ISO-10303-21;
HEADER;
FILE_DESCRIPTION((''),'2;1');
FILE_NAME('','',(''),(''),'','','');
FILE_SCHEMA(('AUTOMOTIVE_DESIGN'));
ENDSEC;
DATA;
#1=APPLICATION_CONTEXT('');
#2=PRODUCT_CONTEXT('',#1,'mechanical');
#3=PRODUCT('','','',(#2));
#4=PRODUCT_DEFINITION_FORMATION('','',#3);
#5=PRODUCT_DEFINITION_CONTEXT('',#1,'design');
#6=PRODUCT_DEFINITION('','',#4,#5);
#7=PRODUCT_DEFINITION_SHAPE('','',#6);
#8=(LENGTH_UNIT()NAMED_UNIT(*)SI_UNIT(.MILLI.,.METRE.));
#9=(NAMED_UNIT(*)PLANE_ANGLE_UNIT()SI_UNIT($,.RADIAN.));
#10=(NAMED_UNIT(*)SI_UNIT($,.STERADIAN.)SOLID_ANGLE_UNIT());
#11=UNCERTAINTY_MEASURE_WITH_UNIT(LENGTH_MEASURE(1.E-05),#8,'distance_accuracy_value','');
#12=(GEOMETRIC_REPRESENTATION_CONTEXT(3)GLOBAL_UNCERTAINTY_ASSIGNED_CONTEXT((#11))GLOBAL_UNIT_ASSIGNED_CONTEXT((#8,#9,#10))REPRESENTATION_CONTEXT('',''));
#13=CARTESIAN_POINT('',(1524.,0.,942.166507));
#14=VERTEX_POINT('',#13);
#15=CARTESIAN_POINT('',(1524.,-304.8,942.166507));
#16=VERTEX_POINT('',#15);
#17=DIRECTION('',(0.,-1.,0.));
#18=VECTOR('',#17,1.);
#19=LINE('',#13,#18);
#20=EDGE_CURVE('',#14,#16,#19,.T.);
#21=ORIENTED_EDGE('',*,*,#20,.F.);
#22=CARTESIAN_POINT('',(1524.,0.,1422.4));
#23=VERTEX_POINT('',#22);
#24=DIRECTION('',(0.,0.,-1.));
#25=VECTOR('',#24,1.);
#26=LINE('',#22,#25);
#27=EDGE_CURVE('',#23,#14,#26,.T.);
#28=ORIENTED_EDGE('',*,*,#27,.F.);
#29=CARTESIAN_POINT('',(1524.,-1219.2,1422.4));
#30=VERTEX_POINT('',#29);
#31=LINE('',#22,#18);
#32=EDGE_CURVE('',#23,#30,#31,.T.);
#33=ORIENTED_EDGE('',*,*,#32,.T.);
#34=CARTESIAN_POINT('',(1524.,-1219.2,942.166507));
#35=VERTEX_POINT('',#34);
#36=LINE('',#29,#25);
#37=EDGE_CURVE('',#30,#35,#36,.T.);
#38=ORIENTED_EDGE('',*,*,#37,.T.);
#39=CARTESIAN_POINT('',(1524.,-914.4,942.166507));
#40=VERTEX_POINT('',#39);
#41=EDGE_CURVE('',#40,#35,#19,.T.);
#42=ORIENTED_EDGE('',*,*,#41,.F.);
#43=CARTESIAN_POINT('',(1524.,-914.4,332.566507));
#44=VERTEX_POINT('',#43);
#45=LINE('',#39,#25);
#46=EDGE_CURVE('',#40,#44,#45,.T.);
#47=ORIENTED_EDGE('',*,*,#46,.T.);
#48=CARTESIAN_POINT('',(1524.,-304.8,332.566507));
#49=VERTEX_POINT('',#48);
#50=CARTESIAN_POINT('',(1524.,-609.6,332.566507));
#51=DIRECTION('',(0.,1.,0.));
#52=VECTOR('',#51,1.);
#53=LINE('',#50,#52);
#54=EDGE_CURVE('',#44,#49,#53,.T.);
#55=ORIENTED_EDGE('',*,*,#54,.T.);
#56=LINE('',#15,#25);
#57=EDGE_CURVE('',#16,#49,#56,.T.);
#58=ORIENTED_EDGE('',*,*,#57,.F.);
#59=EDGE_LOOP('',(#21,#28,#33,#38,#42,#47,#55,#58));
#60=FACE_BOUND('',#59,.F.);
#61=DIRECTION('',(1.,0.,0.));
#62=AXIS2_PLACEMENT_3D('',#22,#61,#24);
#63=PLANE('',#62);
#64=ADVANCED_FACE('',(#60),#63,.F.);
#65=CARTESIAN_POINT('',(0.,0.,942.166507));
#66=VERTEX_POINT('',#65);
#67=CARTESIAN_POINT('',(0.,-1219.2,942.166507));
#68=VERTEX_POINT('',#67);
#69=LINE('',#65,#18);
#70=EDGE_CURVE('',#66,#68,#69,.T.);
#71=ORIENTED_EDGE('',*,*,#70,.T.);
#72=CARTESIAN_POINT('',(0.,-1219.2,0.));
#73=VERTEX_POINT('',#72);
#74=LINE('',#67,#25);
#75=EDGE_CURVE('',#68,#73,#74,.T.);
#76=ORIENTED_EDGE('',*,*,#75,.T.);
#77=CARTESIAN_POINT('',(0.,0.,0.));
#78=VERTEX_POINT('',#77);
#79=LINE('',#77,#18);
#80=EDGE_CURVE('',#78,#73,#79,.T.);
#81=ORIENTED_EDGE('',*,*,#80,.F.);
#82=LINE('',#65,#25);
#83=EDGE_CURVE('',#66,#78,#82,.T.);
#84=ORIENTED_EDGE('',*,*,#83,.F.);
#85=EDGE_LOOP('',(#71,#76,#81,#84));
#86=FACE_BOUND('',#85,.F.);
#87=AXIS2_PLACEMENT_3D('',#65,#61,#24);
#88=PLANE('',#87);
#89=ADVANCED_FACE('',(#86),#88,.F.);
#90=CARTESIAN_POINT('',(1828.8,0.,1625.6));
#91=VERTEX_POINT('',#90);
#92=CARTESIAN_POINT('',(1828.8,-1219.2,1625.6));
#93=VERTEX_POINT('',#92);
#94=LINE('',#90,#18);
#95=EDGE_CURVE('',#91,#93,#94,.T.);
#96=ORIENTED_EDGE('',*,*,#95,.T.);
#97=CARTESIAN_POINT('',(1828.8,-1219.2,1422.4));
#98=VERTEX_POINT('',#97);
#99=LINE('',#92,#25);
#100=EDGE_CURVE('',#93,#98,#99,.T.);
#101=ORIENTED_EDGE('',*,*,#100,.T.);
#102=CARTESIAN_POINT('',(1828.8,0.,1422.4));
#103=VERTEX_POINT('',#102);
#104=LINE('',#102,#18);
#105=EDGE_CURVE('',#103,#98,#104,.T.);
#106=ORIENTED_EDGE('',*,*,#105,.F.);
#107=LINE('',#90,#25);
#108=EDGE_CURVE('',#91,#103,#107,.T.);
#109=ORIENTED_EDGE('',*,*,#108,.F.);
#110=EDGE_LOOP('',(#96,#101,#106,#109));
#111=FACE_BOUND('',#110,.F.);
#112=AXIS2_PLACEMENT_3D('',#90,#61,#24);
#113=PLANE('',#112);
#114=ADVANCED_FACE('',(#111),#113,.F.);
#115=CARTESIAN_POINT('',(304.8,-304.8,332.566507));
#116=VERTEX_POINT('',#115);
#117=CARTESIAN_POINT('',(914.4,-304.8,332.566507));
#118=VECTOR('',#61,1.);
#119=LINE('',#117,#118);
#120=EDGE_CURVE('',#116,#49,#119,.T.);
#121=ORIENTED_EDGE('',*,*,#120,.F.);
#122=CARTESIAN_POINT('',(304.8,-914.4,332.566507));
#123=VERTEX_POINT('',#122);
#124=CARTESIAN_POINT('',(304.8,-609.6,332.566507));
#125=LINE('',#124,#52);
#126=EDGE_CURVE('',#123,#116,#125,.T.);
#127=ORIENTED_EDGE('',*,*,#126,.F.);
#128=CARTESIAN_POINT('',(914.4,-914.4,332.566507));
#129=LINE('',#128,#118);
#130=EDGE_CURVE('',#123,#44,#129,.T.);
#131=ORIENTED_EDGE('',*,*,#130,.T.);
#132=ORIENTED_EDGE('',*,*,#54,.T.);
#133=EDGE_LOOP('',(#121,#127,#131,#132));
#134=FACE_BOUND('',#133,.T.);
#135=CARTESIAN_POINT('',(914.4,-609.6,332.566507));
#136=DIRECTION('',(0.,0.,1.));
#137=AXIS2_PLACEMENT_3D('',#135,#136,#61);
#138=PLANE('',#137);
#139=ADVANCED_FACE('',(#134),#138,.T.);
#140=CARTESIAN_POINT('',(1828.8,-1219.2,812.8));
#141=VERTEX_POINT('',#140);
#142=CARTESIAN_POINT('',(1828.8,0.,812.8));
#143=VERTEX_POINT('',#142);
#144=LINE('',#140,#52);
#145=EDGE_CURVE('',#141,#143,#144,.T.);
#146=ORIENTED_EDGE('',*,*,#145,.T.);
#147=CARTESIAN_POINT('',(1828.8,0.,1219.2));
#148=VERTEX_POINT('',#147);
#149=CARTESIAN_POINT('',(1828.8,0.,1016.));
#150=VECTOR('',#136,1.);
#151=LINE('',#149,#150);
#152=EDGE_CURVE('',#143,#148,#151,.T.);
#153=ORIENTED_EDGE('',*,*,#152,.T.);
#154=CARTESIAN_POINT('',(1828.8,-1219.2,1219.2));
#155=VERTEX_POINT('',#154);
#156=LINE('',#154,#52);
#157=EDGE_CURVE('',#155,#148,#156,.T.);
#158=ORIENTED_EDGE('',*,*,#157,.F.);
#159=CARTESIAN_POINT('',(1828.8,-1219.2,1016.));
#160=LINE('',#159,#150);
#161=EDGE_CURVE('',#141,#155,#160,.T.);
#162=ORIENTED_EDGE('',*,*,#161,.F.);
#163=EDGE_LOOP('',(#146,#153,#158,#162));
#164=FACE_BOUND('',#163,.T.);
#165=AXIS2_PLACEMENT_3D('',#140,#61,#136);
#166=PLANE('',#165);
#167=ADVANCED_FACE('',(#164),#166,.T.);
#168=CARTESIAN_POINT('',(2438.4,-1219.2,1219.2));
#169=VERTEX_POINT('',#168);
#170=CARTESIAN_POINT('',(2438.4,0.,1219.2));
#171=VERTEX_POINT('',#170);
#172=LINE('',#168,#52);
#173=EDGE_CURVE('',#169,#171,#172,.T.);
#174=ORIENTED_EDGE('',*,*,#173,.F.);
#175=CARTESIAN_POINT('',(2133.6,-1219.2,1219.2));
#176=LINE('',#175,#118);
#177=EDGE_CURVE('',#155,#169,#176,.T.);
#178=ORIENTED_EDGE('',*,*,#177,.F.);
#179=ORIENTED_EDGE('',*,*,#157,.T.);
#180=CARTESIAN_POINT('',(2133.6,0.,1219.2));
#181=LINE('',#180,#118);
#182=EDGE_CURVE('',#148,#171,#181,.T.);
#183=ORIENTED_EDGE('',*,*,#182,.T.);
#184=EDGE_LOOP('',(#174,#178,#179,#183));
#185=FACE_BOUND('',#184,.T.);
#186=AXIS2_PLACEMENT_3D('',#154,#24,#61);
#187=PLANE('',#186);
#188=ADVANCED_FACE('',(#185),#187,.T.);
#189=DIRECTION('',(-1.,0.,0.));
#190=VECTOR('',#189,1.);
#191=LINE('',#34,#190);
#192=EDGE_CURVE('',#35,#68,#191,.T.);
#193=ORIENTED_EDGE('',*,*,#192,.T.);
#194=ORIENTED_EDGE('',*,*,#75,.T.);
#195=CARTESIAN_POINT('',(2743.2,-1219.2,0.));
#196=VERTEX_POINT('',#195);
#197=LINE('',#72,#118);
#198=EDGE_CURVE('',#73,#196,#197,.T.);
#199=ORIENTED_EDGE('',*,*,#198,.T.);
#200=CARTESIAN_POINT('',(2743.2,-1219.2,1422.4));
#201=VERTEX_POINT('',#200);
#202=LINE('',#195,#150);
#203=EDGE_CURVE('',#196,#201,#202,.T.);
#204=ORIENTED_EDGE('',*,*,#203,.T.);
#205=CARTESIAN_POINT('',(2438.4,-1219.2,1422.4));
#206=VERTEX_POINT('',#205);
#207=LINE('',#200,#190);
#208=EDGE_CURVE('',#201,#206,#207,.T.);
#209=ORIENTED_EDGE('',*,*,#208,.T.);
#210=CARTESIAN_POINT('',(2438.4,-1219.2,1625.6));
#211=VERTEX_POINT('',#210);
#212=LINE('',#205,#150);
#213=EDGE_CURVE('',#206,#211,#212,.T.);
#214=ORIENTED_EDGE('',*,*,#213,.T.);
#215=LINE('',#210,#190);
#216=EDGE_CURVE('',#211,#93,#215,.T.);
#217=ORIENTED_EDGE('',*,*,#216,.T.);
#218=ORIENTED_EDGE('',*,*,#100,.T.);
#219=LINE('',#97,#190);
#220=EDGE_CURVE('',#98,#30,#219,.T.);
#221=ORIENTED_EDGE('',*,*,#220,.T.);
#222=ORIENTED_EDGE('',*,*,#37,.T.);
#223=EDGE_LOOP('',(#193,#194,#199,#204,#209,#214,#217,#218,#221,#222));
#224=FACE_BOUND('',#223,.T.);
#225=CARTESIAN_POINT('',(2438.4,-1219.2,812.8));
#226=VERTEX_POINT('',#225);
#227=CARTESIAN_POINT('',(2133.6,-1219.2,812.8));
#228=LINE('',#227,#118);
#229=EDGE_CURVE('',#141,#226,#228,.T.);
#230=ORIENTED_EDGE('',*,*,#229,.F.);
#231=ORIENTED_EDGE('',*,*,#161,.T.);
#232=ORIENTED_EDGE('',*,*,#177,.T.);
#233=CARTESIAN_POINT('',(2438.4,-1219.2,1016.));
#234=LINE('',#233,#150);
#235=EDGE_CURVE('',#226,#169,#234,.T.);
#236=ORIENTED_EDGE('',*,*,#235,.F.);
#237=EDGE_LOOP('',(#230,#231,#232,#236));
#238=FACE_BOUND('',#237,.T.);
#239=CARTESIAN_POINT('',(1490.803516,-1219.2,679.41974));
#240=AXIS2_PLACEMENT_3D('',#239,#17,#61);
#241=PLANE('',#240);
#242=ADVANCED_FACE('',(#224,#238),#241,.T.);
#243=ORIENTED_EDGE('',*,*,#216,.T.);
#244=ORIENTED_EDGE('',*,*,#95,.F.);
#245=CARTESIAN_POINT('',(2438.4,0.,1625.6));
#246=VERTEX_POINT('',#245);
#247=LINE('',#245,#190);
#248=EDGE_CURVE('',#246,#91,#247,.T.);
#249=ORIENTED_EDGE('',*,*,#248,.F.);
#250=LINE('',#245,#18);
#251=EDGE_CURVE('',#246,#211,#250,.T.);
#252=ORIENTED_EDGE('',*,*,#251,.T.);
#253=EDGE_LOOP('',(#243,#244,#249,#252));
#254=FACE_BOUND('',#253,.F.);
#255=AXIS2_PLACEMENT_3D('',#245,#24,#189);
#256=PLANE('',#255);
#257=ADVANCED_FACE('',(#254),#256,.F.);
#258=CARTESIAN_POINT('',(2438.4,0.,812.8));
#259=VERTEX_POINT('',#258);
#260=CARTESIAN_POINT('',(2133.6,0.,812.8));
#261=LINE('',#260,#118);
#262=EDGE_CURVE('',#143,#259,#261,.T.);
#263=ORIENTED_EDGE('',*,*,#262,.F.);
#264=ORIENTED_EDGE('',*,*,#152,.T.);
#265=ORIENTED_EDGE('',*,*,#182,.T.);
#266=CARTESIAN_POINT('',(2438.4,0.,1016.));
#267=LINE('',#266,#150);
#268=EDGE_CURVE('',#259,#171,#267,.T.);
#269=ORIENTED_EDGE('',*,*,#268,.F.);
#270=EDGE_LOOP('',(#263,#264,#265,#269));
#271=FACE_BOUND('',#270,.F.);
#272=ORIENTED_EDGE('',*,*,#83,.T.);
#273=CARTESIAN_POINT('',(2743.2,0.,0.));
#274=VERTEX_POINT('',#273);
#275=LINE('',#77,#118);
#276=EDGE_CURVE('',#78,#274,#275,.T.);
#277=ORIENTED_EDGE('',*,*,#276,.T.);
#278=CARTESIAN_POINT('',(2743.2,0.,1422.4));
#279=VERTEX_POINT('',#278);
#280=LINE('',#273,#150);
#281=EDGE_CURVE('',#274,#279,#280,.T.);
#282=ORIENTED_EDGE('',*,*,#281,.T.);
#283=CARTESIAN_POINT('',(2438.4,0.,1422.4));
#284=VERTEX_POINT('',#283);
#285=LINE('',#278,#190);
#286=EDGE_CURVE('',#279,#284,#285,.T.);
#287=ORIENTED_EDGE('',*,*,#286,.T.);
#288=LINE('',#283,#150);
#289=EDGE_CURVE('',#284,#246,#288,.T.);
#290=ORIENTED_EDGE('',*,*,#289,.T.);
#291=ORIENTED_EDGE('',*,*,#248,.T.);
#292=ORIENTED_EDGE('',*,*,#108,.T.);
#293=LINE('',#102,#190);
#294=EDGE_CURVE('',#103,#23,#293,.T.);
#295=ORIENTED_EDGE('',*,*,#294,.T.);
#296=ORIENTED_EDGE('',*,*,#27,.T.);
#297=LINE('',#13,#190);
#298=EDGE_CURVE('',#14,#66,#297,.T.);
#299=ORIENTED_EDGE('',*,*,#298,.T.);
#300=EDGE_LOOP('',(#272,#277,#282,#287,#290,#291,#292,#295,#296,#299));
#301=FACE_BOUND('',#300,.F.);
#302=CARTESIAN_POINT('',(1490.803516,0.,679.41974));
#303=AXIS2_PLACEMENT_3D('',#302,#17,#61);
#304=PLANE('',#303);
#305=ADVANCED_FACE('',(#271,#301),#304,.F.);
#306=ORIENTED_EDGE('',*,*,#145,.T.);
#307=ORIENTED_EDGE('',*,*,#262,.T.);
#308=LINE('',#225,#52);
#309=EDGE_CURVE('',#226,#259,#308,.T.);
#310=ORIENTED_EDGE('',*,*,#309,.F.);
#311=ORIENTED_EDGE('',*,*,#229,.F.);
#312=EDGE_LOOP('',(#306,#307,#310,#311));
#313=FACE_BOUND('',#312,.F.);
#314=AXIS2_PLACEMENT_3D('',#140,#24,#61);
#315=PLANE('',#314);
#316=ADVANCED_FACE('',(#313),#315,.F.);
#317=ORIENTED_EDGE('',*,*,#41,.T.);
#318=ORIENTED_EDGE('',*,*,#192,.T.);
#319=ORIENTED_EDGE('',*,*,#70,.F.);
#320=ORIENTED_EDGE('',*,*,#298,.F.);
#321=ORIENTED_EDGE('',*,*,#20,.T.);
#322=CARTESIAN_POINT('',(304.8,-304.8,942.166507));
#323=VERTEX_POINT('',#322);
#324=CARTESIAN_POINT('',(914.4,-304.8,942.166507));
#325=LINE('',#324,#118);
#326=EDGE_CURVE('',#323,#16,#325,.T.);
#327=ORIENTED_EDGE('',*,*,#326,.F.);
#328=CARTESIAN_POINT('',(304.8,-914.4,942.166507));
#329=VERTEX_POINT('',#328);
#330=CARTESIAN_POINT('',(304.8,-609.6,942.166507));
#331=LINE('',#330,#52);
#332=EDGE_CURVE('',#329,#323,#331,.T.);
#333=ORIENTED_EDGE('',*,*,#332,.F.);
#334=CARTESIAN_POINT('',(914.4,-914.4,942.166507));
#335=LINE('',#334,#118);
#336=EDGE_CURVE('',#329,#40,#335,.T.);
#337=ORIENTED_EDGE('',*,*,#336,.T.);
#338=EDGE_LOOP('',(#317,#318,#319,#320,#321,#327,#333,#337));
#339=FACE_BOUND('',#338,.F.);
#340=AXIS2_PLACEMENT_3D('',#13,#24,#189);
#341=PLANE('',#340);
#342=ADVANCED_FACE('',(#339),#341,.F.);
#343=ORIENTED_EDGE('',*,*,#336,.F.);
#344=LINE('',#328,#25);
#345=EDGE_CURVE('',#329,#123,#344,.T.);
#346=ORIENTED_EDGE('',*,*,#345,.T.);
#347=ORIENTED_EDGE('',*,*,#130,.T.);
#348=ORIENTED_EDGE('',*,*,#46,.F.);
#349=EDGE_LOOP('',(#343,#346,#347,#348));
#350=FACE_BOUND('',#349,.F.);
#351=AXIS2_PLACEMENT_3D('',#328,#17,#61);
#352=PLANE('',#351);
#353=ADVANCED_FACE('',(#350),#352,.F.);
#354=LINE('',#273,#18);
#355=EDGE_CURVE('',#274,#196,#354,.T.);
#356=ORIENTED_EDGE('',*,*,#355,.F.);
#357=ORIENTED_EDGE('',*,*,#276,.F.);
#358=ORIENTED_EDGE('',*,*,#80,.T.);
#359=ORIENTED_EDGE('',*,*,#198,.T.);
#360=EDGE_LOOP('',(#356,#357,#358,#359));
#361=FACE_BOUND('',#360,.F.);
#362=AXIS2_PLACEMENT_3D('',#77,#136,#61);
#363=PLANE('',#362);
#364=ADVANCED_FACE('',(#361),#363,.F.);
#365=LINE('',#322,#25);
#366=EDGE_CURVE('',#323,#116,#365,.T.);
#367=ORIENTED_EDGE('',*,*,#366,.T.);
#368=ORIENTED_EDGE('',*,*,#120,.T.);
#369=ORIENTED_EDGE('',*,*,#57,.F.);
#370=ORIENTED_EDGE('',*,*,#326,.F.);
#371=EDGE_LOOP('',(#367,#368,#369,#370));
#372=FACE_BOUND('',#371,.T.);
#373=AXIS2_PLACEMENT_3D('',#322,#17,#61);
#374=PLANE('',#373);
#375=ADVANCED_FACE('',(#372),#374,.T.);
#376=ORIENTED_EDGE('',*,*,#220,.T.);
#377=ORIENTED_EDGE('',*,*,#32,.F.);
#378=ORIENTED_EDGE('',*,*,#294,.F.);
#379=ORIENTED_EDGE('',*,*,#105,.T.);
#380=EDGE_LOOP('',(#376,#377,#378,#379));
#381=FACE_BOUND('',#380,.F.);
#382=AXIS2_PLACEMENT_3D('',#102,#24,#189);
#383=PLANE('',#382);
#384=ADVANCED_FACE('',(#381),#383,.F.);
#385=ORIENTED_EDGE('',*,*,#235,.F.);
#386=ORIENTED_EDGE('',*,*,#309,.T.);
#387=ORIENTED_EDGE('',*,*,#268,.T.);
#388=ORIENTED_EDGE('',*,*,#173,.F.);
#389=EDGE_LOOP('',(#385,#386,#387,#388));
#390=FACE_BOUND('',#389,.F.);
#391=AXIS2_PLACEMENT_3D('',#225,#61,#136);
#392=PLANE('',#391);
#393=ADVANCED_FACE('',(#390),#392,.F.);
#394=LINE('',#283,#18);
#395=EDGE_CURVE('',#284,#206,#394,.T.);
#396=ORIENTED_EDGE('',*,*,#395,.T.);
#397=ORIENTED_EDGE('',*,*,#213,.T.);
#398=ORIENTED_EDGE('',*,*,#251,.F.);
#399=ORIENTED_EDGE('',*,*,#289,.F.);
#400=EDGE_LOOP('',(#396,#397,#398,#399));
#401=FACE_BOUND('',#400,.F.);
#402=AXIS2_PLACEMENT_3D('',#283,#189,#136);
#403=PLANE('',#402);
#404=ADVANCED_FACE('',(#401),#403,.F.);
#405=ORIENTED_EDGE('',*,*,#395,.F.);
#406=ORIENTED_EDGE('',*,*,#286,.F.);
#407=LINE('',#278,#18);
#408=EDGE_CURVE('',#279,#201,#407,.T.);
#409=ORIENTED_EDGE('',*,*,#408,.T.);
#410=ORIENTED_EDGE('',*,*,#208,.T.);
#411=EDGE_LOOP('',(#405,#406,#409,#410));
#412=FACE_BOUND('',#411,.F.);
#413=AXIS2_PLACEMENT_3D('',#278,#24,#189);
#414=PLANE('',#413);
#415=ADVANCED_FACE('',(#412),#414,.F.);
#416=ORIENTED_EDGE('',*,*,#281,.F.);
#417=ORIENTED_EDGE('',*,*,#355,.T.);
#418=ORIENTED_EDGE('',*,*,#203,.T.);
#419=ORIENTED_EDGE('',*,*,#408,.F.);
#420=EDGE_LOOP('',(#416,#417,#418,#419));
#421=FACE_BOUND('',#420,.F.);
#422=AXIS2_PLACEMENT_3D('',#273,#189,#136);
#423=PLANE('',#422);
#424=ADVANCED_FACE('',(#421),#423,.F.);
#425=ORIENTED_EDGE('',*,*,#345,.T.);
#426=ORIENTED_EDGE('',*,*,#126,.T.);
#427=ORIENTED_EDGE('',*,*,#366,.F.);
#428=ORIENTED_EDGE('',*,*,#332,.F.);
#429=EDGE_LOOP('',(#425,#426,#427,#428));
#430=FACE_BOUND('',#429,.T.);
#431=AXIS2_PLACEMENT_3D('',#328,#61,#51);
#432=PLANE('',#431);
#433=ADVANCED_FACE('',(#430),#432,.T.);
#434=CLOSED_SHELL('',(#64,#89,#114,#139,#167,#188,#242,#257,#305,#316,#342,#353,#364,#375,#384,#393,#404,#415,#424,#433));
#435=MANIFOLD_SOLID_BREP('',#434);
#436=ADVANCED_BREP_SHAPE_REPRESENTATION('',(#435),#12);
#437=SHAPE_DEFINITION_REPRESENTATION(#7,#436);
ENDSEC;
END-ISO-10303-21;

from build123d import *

# Parameters (mm, degrees)
F1_DEPTH = 1219.2
F2_W     = 1219.2
F2_H     = 609.6
F3_DEPTH = 609.6
F4_W     = 609.6
F4_H     = 406.4
F5_DEPTH = 1219.2


with BuildPart() as f1:
    # F0 (on Front) → F1 (new body)
    with BuildSketch(Plane.XZ):
        Polygon((0, 942.166507), (0, 0), (2743.2, 0), (2743.2, 1422.4), (2438.4, 1422.4), (2438.4, 1625.6), (1828.8, 1625.6), (1828.8, 1422.4), (1524, 1422.4), (1524, 1201.297045), (1524, 1117.6), (1524, 942.166507), align=None)
    extrude(amount=F1_DEPTH)

    # F2 (on face) → F3 (cut)
    with BuildSketch(Plane.XY.offset(942.166507)):
        with Locations((914.4, -609.6)):
            Rectangle(F2_W, F2_H)
    extrude(amount=-F3_DEPTH, mode=Mode.SUBTRACT)

    # F4 (on face) → F5 (cut)
    with BuildSketch(Plane.XZ.offset(1219.2)):
        with Locations((2133.6, 1016)):
            Rectangle(F4_W, F4_H)
    extrude(amount=-F5_DEPTH, mode=Mode.SUBTRACT)


solid = f1.part
